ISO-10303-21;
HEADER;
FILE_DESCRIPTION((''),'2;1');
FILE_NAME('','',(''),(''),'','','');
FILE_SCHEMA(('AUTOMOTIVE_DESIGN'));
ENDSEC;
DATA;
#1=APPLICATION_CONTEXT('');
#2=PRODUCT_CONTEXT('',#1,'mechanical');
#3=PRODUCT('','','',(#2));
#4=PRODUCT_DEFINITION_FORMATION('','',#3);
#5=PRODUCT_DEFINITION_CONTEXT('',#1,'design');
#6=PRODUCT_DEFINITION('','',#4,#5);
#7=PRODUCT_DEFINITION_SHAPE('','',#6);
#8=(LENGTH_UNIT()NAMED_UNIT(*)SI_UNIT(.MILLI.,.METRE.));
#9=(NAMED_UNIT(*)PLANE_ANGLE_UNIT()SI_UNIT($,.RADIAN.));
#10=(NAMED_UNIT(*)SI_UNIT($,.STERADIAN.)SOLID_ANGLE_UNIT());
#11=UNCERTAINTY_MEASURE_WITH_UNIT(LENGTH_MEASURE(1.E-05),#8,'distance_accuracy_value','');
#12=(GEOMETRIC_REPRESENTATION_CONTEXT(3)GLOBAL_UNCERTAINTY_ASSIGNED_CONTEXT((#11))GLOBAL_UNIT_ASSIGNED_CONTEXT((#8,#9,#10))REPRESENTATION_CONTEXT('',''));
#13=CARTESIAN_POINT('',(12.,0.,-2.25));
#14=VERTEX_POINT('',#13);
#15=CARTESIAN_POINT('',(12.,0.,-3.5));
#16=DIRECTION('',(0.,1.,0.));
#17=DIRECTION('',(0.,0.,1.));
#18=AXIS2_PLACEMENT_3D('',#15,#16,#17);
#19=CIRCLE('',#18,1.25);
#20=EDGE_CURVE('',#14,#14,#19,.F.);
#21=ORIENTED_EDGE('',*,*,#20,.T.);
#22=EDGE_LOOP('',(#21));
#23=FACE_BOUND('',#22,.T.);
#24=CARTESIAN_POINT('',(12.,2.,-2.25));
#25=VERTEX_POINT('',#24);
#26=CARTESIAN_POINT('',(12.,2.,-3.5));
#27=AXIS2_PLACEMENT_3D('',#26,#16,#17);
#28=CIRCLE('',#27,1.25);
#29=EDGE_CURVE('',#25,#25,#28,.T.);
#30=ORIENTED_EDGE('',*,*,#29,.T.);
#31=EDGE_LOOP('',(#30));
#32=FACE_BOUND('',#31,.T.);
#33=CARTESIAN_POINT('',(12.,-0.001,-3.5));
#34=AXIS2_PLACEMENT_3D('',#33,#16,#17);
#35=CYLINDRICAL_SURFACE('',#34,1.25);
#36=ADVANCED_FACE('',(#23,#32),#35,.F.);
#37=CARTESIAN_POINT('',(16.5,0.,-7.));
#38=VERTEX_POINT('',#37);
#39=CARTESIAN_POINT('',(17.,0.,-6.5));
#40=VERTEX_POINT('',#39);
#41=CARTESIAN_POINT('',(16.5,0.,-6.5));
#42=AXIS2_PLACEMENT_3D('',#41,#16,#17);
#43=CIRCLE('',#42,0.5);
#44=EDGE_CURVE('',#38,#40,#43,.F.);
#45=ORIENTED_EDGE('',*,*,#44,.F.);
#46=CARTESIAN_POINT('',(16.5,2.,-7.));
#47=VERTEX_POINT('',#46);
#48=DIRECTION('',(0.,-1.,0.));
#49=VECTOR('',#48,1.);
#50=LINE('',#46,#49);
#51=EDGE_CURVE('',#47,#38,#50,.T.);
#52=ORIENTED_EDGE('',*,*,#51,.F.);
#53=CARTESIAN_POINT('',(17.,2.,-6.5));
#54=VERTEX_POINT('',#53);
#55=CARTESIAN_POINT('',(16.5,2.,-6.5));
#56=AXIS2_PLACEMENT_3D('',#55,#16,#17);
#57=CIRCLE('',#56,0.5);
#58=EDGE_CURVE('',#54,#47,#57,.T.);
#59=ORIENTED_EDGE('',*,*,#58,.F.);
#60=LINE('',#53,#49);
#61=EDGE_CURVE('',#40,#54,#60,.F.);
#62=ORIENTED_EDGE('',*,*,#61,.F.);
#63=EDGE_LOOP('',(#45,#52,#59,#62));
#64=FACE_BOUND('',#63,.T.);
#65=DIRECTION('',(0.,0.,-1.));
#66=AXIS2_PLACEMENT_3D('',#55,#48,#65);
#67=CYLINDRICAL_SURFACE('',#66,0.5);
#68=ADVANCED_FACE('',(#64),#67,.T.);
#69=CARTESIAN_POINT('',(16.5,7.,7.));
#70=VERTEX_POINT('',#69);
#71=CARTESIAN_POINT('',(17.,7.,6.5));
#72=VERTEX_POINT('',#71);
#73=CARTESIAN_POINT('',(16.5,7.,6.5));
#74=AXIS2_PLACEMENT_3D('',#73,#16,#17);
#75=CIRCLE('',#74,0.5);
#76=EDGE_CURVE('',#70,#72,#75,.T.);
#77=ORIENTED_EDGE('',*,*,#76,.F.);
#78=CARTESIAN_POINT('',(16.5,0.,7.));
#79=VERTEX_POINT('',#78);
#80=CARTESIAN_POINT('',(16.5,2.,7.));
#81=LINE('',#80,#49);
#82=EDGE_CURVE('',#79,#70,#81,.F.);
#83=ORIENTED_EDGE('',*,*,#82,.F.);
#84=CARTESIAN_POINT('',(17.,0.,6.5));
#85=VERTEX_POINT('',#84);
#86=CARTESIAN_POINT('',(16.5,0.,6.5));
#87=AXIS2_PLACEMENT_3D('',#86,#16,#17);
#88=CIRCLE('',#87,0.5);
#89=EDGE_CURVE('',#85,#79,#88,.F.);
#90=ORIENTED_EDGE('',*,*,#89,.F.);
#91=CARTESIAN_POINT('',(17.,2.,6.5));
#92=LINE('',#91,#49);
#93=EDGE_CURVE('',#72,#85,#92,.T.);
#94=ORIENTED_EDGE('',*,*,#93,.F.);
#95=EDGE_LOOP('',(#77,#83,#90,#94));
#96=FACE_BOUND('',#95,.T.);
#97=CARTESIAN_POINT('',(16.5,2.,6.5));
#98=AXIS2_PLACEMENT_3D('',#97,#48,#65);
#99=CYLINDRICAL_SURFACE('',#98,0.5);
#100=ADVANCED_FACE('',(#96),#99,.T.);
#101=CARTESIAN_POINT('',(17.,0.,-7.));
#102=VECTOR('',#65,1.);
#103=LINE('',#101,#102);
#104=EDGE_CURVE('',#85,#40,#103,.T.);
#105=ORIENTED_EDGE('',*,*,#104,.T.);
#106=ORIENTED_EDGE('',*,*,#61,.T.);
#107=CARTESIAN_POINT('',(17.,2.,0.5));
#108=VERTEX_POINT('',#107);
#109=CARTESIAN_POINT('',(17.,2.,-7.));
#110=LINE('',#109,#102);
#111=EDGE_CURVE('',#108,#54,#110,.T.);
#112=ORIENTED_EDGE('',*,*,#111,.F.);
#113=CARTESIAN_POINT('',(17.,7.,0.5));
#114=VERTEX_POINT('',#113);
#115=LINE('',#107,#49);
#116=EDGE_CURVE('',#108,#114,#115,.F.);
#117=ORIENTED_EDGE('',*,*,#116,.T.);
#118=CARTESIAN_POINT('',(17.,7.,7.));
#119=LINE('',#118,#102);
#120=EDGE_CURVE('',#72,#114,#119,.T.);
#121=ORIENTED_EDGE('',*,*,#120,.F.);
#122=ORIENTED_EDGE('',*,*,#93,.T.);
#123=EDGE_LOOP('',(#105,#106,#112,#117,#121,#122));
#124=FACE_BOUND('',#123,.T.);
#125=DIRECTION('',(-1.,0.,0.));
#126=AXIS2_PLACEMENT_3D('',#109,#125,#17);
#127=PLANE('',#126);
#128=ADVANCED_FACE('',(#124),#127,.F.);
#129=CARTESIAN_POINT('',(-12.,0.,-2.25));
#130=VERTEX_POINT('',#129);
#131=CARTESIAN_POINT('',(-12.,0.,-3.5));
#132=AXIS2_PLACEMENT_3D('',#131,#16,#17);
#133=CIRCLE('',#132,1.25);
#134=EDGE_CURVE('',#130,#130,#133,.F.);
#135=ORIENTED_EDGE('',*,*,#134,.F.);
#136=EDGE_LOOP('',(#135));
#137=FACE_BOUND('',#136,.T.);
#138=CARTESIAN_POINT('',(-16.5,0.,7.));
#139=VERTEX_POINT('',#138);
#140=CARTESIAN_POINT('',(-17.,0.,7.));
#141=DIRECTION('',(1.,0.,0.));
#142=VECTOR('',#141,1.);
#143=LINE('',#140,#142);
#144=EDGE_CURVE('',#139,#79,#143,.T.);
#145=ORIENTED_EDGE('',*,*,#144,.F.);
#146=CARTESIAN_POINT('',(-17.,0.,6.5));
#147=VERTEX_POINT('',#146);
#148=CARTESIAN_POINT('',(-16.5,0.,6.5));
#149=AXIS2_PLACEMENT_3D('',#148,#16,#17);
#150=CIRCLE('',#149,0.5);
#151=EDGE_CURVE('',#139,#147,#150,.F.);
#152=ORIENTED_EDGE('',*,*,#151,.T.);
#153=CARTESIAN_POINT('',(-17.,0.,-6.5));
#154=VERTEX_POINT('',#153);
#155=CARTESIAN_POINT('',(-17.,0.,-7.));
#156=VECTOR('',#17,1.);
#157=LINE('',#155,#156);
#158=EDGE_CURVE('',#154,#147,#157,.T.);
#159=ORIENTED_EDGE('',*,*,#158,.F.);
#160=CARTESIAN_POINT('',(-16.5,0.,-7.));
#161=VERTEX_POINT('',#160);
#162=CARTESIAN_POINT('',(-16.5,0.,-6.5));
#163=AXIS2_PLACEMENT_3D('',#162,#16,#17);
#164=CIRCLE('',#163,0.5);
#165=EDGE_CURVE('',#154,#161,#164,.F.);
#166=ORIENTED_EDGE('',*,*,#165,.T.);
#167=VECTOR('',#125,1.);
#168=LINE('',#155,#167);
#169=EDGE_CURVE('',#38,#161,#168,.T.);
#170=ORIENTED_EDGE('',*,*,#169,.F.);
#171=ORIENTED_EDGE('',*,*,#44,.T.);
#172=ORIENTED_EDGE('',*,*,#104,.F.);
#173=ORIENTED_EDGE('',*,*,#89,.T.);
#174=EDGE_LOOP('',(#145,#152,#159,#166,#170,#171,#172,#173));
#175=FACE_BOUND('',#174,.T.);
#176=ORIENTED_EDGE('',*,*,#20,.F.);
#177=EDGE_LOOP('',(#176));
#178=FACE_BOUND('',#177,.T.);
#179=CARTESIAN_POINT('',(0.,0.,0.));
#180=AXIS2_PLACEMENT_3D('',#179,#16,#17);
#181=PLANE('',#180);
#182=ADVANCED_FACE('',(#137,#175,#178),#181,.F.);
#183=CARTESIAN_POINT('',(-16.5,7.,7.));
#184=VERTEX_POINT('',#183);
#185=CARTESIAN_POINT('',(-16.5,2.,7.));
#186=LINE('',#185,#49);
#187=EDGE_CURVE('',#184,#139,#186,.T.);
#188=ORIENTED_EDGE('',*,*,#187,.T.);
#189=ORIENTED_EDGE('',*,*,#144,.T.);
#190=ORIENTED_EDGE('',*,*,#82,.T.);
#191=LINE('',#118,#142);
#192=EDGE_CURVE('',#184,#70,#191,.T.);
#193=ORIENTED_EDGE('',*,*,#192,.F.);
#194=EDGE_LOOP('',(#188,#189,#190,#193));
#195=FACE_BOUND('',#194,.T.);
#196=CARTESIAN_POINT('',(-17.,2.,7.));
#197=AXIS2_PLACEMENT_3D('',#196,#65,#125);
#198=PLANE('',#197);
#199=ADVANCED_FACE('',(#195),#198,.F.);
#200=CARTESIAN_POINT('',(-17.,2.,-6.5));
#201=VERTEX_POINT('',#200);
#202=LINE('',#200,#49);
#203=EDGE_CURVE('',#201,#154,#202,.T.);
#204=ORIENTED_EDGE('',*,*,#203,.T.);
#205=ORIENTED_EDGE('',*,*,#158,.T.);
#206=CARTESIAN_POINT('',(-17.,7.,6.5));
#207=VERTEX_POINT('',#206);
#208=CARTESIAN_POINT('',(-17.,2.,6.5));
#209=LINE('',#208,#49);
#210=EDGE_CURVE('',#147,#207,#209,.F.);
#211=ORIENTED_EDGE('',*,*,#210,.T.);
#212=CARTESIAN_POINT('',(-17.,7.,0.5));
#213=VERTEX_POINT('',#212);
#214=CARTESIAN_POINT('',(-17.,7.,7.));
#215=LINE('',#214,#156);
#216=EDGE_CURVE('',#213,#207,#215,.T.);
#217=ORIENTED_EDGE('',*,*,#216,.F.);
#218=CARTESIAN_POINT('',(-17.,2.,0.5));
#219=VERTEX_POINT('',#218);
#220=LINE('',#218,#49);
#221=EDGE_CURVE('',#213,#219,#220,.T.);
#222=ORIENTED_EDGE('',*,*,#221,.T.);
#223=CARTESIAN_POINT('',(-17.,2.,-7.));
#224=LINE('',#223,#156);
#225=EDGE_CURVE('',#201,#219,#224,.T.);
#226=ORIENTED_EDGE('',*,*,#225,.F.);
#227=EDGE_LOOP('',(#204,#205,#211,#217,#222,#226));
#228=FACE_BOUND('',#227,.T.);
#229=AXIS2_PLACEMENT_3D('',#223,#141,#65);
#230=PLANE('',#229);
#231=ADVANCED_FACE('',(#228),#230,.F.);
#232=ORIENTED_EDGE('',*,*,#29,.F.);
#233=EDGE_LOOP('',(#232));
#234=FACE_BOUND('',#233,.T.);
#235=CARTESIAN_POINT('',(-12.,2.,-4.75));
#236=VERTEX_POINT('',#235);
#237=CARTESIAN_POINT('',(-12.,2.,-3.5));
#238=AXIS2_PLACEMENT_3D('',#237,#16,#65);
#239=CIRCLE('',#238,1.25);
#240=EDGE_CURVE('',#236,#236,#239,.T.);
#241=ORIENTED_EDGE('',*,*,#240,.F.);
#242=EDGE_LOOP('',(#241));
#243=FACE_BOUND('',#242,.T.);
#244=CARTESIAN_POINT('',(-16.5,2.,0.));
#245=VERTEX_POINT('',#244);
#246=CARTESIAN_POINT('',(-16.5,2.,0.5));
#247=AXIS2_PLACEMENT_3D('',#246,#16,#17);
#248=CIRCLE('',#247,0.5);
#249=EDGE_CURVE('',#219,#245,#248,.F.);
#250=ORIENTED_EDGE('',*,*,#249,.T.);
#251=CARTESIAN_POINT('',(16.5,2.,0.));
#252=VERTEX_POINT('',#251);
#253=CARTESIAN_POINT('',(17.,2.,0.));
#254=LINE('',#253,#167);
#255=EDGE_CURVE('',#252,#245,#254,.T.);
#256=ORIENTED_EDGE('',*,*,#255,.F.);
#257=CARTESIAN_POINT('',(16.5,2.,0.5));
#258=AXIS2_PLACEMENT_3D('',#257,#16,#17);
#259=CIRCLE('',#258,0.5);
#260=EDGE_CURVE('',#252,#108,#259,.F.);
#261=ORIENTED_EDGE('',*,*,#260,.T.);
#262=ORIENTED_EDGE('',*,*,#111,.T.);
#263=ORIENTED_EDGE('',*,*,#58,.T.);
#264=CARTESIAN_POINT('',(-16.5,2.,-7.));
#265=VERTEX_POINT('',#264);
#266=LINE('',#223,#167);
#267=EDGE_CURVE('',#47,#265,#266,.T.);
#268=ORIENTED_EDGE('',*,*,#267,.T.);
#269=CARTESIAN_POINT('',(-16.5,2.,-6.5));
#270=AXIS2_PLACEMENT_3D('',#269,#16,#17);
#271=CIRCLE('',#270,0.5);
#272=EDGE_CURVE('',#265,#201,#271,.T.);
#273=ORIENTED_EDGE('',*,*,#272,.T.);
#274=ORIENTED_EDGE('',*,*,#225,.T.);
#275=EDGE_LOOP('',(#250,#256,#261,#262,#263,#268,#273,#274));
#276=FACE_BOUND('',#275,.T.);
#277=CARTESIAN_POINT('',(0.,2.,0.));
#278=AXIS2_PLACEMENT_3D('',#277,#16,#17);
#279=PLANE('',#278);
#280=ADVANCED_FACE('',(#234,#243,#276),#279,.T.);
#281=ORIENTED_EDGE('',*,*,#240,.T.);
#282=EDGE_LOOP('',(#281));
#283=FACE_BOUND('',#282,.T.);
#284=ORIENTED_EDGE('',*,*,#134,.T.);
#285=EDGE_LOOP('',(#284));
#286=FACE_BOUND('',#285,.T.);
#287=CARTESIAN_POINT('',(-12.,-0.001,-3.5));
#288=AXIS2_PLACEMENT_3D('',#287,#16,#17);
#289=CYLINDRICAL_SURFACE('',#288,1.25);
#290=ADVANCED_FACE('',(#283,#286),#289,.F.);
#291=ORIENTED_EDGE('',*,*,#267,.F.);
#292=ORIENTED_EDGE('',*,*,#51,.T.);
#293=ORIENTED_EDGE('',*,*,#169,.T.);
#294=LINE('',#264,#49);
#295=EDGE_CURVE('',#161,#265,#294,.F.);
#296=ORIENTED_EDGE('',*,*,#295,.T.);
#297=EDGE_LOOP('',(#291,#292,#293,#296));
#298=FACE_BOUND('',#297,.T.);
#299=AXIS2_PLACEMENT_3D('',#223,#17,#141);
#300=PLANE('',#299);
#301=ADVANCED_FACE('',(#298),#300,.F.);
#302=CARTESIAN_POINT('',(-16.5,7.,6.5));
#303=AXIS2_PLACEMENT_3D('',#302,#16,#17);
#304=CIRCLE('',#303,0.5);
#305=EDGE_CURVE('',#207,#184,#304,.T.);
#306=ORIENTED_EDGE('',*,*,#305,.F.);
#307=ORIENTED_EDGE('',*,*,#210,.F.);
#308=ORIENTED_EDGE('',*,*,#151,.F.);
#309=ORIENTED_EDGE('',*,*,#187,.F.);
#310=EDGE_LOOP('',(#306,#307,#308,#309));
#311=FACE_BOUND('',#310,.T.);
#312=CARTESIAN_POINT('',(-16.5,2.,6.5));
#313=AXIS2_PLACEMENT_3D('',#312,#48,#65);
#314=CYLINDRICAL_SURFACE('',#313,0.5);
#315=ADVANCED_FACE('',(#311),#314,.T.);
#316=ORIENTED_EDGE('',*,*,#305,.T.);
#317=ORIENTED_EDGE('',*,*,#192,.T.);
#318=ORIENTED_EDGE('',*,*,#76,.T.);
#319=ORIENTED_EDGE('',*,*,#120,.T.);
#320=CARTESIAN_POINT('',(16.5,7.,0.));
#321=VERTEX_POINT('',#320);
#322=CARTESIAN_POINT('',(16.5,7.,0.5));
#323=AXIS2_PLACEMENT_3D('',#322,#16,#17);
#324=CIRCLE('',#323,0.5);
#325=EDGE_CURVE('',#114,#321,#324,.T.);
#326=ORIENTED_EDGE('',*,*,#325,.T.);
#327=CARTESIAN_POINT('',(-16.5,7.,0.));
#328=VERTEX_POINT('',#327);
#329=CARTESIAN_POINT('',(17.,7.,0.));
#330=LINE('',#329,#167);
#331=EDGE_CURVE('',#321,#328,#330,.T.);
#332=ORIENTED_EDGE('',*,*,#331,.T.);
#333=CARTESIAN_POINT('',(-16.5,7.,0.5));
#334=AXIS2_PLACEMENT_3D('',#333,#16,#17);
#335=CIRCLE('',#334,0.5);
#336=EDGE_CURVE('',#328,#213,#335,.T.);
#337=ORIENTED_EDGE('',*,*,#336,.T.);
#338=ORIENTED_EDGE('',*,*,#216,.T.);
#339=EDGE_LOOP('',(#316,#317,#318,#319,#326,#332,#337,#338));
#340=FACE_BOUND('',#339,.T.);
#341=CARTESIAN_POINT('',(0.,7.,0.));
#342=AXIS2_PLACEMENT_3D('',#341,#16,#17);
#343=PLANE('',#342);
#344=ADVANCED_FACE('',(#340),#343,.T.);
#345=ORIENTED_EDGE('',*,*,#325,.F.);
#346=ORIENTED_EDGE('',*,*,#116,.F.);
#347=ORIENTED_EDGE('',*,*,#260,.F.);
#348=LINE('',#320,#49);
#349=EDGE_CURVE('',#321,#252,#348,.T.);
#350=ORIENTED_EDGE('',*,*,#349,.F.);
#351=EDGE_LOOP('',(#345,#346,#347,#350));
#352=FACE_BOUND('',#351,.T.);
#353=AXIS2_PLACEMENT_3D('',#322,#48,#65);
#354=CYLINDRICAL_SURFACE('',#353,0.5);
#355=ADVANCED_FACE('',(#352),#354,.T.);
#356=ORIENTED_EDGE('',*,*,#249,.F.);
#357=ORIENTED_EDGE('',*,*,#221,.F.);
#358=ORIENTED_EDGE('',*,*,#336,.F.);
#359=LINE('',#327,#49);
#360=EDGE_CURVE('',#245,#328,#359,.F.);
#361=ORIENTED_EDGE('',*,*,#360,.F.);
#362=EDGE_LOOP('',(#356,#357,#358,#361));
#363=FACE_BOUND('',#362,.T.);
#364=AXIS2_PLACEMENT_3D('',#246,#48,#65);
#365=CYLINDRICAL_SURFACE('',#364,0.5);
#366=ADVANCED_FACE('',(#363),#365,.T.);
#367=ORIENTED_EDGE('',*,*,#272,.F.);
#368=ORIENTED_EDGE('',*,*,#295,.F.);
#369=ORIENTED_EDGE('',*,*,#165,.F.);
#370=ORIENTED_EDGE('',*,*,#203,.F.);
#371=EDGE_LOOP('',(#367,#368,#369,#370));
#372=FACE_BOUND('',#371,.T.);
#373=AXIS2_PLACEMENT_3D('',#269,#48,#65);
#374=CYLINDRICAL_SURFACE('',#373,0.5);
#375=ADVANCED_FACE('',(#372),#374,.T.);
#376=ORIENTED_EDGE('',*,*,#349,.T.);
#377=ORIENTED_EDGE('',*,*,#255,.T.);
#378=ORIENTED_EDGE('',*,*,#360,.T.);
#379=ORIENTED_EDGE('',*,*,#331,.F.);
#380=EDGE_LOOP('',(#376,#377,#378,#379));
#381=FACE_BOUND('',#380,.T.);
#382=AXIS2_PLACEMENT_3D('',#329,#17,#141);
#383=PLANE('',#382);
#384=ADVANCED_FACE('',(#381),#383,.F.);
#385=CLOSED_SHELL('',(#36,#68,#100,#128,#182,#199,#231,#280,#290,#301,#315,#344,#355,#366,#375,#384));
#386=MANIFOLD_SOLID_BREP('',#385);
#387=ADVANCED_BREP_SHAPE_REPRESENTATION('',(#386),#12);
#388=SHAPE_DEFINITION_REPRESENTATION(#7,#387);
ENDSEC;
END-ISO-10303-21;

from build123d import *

# Parameters (mm, degrees)
SKETCH1_W           = 34
SKETCH1_H           = 14
BOSS_EXTRUDE1_DEPTH = 2
SKETCH2_W           = 34
SKETCH2_H           = 7
BOSS_EXTRUDE2_DEPTH = 5
FILLET1_R           = 0.5
CUT_EXTRUDE1_REACH  = 21.053
SKETCH3_R           = 1.25


with BuildPart() as part:
    # Sketch1 → Boss-Extrude1 (new body)
    with BuildSketch(Plane(origin=(0, 0, 0), x_dir=(1, 0, 0), z_dir=(0, 1, 0))):
        Rectangle(SKETCH1_W, SKETCH1_H)
    extrude(amount=BOSS_EXTRUDE1_DEPTH)

    # Sketch2 → Boss-Extrude2 (add)
    with BuildSketch(Plane(origin=(0, 2, 0), x_dir=(1, 0, 0), z_dir=(0, 1, 0))):
        with Locations((0, -3.5)):
            Rectangle(SKETCH2_W, SKETCH2_H)
    extrude(amount=BOSS_EXTRUDE2_DEPTH)

    # Fillet1
    fillet1_edges = [part.edges().sort_by_distance(p)[0] for p in [
        (17, 4.5, 0),
        (-17, 4.5, 0),
        (17, 3.5, 7),
        (-17, 3.5, 7),
        (-17, 1, -7),
        (17, 1, -7),
    ]]
    fillet(fillet1_edges, radius=FILLET1_R)

    # Sketch3 → Cut-Extrude1 (cut, up to next)
    with BuildSketch(Plane(origin=(0, 2, 0), x_dir=(1, 0, 0), z_dir=(0, 1, 0)), mode=Mode.PRIVATE) as cut_extrude1_sk1:
        with Locations(Location((12, 3.5, 0), (0, 0, 270))):
            Circle(SKETCH3_R)
    cut_extrude1_tool1 = extrude(cut_extrude1_sk1.sketch, amount=-CUT_EXTRUDE1_REACH, mode=Mode.PRIVATE) & part.part
    # Sketch3 → Cut-Extrude1 (cut, up to next)
    with BuildSketch(Plane(origin=(0, 2, 0), x_dir=(1, 0, 0), z_dir=(0, 1, 0)), mode=Mode.PRIVATE) as cut_extrude1_sk2:
        with Locations(Location((-12, 3.5, 0), (0, 0, 270))):
            Circle(SKETCH3_R)
    cut_extrude1_tool2 = extrude(cut_extrude1_sk2.sketch, amount=-CUT_EXTRUDE1_REACH, mode=Mode.PRIVATE) & part.part
    add(cut_extrude1_tool1.solids().sort_by_distance((12, 2, -3.5))[0], mode=Mode.SUBTRACT)
    add(cut_extrude1_tool2.solids().sort_by_distance((-12, 2, -3.5))[0], mode=Mode.SUBTRACT)


solid = part.part
